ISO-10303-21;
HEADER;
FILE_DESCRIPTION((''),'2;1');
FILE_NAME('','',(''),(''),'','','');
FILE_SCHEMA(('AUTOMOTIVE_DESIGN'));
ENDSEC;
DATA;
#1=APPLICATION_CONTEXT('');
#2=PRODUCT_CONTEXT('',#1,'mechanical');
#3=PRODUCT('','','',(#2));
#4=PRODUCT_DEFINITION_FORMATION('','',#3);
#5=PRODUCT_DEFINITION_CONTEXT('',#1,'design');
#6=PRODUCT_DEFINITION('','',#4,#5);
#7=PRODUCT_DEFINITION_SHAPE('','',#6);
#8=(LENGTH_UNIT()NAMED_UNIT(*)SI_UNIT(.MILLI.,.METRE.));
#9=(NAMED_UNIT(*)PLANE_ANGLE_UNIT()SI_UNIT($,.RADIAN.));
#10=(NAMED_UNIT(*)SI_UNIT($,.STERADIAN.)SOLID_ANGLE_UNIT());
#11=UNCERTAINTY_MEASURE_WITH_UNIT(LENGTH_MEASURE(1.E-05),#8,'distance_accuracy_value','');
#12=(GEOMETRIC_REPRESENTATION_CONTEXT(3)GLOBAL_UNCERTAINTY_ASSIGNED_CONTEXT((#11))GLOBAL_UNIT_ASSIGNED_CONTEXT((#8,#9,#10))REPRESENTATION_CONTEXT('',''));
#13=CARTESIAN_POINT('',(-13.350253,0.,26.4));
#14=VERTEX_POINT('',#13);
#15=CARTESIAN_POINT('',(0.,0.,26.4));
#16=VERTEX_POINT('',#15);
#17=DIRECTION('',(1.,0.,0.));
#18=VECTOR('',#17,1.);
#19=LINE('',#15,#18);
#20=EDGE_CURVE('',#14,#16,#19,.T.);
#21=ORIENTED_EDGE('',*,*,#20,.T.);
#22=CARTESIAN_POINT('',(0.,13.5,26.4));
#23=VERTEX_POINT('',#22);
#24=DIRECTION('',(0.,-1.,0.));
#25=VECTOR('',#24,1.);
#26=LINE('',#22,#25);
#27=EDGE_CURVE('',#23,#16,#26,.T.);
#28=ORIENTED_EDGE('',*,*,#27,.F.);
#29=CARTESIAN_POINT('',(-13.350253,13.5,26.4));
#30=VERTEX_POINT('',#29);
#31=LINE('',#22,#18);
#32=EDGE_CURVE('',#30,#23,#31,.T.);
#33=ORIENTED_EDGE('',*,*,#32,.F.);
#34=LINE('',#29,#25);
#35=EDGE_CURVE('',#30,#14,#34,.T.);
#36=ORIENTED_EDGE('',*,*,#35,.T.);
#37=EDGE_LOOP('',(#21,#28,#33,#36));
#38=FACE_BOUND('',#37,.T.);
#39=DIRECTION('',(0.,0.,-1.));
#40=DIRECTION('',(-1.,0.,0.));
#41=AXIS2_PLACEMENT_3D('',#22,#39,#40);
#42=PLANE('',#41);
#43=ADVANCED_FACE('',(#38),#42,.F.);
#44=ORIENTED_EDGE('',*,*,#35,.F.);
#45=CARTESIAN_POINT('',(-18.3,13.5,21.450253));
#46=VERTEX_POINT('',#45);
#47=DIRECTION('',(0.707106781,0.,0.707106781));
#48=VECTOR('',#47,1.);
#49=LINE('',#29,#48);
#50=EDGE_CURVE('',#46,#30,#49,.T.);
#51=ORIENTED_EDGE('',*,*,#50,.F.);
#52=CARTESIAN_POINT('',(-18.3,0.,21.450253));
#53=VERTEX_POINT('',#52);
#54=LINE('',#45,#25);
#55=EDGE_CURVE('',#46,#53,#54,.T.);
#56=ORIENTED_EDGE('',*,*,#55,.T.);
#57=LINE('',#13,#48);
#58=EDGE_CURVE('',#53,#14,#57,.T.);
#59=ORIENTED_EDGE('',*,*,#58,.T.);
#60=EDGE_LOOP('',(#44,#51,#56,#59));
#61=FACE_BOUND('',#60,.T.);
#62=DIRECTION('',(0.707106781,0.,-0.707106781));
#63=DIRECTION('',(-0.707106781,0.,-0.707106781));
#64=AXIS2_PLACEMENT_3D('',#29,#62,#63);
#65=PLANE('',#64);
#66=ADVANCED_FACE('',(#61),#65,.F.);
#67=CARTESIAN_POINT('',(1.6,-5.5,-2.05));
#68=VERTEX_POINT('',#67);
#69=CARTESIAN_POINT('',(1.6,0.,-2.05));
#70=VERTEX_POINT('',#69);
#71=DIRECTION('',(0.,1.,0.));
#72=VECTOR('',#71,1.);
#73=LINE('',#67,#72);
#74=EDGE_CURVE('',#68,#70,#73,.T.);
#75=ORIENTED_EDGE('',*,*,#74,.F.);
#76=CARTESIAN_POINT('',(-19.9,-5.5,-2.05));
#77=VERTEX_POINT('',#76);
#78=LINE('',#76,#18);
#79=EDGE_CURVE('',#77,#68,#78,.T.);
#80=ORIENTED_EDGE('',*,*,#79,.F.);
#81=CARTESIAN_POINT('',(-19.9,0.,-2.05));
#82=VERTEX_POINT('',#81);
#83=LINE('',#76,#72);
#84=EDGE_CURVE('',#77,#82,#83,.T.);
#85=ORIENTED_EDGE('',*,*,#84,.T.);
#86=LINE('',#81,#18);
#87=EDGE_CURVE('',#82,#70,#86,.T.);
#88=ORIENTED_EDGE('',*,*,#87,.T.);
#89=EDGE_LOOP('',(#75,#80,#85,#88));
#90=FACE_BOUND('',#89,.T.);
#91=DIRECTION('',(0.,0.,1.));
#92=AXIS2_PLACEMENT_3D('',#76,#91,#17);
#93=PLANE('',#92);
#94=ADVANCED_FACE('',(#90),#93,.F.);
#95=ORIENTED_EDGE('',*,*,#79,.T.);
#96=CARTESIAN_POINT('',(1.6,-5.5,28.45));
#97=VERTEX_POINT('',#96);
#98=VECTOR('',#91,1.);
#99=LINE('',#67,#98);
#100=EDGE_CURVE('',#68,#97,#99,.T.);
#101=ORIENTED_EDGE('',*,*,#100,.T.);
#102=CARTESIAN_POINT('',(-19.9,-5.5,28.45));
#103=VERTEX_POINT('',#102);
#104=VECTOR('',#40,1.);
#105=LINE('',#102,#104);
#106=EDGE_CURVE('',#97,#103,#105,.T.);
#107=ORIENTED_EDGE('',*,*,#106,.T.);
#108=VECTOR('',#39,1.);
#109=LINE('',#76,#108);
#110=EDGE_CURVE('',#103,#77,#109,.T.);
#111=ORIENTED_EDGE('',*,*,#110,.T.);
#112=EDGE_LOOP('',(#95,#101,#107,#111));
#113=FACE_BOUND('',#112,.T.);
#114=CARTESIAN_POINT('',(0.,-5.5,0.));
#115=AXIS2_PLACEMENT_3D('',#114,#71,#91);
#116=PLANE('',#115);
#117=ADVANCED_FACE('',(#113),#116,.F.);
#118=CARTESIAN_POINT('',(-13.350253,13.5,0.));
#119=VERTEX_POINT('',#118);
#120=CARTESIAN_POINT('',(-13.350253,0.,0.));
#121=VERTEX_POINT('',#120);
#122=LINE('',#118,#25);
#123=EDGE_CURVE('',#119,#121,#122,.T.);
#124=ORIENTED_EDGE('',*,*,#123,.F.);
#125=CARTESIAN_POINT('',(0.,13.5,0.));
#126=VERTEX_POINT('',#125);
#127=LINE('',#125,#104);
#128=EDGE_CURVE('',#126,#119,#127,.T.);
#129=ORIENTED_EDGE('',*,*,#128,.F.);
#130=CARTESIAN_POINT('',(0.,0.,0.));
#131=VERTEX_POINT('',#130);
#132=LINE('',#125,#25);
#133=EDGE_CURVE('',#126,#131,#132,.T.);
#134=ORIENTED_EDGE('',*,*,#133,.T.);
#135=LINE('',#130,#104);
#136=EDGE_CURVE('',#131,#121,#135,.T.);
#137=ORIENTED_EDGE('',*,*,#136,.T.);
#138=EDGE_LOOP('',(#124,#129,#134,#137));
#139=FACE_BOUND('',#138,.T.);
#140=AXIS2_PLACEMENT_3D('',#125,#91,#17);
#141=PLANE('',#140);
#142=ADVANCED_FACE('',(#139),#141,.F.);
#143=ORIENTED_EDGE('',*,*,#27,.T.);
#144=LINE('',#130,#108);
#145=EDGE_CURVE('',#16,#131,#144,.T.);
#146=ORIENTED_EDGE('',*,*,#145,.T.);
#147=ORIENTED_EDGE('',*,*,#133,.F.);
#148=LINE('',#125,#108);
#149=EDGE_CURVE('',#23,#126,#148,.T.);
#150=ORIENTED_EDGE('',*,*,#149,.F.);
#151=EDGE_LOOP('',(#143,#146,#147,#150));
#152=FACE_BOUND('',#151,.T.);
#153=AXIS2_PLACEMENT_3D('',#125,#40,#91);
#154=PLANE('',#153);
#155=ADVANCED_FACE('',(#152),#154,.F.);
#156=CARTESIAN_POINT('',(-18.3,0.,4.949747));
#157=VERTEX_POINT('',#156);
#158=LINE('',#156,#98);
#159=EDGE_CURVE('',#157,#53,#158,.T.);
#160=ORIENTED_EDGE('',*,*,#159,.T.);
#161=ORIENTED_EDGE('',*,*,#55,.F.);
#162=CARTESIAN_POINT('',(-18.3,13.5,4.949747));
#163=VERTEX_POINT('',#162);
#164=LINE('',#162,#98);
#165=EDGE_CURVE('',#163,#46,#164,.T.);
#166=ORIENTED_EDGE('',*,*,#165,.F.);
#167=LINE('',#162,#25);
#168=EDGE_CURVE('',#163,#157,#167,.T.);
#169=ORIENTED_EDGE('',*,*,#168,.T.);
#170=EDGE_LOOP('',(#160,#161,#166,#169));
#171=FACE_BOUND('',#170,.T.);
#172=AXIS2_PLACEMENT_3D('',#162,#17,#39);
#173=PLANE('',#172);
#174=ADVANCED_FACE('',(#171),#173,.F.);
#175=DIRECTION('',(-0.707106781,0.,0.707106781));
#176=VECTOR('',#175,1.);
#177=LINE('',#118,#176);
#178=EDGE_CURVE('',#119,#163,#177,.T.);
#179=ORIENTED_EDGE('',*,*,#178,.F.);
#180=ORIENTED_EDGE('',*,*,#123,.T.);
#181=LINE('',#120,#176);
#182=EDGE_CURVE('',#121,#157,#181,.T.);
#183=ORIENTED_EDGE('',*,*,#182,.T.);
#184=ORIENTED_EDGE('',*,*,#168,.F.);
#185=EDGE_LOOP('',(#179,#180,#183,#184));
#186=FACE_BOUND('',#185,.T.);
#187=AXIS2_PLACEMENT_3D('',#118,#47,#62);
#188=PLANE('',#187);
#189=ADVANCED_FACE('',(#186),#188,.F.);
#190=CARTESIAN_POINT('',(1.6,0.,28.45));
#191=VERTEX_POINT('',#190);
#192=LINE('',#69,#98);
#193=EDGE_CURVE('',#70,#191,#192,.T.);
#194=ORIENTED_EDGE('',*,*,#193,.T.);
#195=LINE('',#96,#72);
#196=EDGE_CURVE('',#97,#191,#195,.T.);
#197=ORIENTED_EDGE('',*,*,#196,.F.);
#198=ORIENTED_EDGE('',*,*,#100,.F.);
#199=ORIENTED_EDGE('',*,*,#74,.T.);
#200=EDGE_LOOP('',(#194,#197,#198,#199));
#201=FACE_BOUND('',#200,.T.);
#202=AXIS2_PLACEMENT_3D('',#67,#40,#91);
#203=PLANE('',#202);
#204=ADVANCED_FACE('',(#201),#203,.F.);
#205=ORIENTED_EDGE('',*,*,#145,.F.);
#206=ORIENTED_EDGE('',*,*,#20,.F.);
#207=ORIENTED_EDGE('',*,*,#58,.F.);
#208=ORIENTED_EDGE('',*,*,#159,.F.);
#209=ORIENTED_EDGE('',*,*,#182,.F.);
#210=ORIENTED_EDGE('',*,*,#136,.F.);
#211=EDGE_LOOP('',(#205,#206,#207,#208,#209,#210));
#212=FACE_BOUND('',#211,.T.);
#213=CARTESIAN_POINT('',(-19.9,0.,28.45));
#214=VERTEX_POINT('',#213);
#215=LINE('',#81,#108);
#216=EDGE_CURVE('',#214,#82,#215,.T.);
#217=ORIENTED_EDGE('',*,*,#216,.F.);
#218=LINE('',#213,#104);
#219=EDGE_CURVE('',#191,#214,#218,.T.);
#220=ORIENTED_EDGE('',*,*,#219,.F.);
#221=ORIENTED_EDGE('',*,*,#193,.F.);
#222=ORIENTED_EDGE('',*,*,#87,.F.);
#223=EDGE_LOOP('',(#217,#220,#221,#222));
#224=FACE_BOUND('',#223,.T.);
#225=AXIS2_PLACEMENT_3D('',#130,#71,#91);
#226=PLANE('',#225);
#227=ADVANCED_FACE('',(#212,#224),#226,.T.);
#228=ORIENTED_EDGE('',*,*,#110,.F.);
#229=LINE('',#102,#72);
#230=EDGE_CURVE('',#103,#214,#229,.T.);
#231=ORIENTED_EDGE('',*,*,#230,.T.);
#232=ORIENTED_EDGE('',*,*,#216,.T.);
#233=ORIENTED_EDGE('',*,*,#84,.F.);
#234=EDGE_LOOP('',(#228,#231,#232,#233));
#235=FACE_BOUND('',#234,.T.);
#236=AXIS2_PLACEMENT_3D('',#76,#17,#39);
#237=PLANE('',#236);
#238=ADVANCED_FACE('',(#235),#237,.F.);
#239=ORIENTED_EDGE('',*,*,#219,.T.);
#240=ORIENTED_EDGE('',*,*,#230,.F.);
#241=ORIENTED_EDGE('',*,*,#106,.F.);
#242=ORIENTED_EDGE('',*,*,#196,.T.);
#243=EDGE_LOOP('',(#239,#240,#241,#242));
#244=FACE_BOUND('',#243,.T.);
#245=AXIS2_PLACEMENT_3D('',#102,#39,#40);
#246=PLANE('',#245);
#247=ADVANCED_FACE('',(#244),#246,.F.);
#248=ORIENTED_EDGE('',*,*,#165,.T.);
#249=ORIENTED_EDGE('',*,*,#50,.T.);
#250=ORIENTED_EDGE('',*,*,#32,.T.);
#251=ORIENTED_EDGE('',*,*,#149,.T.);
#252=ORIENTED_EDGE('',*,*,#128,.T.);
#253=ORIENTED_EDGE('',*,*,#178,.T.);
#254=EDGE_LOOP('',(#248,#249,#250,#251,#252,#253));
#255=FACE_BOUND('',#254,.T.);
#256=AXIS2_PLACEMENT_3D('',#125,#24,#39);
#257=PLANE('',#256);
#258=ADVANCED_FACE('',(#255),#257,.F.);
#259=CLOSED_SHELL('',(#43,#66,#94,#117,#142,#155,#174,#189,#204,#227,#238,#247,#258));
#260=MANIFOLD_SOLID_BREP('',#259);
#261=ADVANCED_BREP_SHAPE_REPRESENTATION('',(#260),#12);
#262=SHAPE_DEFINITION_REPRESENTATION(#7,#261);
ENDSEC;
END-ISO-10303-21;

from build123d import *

# Parameters (mm, degrees)
BOSS_EXTRUDE1_DEPTH = 13.5
SKETCH2_W           = 21.5
SKETCH2_H           = 30.5
BOSS_EXTRUDE2_DEPTH = 5.5


with BuildPart() as part:
    # Sketch1 → Boss-Extrude1 (new body)
    with BuildSketch(Plane(origin=(0, 0, 0), x_dir=(1, 0, 0), z_dir=(0, 1, 0))):
        Polygon((-13.350252532, -26.4), (-18.3, -21.450252532), (-18.3, -4.949747468), (-13.350252532, 0), (0, 0), (0, -26.4), align=None)
    extrude(amount=BOSS_EXTRUDE1_DEPTH)

    # Sketch2 → Boss-Extrude2 (add)
    with BuildSketch(Plane.XZ):
        with Locations((-9.15, 13.2)):
            Rectangle(SKETCH2_W, SKETCH2_H)
    extrude(amount=BOSS_EXTRUDE2_DEPTH)


solid = part.part
